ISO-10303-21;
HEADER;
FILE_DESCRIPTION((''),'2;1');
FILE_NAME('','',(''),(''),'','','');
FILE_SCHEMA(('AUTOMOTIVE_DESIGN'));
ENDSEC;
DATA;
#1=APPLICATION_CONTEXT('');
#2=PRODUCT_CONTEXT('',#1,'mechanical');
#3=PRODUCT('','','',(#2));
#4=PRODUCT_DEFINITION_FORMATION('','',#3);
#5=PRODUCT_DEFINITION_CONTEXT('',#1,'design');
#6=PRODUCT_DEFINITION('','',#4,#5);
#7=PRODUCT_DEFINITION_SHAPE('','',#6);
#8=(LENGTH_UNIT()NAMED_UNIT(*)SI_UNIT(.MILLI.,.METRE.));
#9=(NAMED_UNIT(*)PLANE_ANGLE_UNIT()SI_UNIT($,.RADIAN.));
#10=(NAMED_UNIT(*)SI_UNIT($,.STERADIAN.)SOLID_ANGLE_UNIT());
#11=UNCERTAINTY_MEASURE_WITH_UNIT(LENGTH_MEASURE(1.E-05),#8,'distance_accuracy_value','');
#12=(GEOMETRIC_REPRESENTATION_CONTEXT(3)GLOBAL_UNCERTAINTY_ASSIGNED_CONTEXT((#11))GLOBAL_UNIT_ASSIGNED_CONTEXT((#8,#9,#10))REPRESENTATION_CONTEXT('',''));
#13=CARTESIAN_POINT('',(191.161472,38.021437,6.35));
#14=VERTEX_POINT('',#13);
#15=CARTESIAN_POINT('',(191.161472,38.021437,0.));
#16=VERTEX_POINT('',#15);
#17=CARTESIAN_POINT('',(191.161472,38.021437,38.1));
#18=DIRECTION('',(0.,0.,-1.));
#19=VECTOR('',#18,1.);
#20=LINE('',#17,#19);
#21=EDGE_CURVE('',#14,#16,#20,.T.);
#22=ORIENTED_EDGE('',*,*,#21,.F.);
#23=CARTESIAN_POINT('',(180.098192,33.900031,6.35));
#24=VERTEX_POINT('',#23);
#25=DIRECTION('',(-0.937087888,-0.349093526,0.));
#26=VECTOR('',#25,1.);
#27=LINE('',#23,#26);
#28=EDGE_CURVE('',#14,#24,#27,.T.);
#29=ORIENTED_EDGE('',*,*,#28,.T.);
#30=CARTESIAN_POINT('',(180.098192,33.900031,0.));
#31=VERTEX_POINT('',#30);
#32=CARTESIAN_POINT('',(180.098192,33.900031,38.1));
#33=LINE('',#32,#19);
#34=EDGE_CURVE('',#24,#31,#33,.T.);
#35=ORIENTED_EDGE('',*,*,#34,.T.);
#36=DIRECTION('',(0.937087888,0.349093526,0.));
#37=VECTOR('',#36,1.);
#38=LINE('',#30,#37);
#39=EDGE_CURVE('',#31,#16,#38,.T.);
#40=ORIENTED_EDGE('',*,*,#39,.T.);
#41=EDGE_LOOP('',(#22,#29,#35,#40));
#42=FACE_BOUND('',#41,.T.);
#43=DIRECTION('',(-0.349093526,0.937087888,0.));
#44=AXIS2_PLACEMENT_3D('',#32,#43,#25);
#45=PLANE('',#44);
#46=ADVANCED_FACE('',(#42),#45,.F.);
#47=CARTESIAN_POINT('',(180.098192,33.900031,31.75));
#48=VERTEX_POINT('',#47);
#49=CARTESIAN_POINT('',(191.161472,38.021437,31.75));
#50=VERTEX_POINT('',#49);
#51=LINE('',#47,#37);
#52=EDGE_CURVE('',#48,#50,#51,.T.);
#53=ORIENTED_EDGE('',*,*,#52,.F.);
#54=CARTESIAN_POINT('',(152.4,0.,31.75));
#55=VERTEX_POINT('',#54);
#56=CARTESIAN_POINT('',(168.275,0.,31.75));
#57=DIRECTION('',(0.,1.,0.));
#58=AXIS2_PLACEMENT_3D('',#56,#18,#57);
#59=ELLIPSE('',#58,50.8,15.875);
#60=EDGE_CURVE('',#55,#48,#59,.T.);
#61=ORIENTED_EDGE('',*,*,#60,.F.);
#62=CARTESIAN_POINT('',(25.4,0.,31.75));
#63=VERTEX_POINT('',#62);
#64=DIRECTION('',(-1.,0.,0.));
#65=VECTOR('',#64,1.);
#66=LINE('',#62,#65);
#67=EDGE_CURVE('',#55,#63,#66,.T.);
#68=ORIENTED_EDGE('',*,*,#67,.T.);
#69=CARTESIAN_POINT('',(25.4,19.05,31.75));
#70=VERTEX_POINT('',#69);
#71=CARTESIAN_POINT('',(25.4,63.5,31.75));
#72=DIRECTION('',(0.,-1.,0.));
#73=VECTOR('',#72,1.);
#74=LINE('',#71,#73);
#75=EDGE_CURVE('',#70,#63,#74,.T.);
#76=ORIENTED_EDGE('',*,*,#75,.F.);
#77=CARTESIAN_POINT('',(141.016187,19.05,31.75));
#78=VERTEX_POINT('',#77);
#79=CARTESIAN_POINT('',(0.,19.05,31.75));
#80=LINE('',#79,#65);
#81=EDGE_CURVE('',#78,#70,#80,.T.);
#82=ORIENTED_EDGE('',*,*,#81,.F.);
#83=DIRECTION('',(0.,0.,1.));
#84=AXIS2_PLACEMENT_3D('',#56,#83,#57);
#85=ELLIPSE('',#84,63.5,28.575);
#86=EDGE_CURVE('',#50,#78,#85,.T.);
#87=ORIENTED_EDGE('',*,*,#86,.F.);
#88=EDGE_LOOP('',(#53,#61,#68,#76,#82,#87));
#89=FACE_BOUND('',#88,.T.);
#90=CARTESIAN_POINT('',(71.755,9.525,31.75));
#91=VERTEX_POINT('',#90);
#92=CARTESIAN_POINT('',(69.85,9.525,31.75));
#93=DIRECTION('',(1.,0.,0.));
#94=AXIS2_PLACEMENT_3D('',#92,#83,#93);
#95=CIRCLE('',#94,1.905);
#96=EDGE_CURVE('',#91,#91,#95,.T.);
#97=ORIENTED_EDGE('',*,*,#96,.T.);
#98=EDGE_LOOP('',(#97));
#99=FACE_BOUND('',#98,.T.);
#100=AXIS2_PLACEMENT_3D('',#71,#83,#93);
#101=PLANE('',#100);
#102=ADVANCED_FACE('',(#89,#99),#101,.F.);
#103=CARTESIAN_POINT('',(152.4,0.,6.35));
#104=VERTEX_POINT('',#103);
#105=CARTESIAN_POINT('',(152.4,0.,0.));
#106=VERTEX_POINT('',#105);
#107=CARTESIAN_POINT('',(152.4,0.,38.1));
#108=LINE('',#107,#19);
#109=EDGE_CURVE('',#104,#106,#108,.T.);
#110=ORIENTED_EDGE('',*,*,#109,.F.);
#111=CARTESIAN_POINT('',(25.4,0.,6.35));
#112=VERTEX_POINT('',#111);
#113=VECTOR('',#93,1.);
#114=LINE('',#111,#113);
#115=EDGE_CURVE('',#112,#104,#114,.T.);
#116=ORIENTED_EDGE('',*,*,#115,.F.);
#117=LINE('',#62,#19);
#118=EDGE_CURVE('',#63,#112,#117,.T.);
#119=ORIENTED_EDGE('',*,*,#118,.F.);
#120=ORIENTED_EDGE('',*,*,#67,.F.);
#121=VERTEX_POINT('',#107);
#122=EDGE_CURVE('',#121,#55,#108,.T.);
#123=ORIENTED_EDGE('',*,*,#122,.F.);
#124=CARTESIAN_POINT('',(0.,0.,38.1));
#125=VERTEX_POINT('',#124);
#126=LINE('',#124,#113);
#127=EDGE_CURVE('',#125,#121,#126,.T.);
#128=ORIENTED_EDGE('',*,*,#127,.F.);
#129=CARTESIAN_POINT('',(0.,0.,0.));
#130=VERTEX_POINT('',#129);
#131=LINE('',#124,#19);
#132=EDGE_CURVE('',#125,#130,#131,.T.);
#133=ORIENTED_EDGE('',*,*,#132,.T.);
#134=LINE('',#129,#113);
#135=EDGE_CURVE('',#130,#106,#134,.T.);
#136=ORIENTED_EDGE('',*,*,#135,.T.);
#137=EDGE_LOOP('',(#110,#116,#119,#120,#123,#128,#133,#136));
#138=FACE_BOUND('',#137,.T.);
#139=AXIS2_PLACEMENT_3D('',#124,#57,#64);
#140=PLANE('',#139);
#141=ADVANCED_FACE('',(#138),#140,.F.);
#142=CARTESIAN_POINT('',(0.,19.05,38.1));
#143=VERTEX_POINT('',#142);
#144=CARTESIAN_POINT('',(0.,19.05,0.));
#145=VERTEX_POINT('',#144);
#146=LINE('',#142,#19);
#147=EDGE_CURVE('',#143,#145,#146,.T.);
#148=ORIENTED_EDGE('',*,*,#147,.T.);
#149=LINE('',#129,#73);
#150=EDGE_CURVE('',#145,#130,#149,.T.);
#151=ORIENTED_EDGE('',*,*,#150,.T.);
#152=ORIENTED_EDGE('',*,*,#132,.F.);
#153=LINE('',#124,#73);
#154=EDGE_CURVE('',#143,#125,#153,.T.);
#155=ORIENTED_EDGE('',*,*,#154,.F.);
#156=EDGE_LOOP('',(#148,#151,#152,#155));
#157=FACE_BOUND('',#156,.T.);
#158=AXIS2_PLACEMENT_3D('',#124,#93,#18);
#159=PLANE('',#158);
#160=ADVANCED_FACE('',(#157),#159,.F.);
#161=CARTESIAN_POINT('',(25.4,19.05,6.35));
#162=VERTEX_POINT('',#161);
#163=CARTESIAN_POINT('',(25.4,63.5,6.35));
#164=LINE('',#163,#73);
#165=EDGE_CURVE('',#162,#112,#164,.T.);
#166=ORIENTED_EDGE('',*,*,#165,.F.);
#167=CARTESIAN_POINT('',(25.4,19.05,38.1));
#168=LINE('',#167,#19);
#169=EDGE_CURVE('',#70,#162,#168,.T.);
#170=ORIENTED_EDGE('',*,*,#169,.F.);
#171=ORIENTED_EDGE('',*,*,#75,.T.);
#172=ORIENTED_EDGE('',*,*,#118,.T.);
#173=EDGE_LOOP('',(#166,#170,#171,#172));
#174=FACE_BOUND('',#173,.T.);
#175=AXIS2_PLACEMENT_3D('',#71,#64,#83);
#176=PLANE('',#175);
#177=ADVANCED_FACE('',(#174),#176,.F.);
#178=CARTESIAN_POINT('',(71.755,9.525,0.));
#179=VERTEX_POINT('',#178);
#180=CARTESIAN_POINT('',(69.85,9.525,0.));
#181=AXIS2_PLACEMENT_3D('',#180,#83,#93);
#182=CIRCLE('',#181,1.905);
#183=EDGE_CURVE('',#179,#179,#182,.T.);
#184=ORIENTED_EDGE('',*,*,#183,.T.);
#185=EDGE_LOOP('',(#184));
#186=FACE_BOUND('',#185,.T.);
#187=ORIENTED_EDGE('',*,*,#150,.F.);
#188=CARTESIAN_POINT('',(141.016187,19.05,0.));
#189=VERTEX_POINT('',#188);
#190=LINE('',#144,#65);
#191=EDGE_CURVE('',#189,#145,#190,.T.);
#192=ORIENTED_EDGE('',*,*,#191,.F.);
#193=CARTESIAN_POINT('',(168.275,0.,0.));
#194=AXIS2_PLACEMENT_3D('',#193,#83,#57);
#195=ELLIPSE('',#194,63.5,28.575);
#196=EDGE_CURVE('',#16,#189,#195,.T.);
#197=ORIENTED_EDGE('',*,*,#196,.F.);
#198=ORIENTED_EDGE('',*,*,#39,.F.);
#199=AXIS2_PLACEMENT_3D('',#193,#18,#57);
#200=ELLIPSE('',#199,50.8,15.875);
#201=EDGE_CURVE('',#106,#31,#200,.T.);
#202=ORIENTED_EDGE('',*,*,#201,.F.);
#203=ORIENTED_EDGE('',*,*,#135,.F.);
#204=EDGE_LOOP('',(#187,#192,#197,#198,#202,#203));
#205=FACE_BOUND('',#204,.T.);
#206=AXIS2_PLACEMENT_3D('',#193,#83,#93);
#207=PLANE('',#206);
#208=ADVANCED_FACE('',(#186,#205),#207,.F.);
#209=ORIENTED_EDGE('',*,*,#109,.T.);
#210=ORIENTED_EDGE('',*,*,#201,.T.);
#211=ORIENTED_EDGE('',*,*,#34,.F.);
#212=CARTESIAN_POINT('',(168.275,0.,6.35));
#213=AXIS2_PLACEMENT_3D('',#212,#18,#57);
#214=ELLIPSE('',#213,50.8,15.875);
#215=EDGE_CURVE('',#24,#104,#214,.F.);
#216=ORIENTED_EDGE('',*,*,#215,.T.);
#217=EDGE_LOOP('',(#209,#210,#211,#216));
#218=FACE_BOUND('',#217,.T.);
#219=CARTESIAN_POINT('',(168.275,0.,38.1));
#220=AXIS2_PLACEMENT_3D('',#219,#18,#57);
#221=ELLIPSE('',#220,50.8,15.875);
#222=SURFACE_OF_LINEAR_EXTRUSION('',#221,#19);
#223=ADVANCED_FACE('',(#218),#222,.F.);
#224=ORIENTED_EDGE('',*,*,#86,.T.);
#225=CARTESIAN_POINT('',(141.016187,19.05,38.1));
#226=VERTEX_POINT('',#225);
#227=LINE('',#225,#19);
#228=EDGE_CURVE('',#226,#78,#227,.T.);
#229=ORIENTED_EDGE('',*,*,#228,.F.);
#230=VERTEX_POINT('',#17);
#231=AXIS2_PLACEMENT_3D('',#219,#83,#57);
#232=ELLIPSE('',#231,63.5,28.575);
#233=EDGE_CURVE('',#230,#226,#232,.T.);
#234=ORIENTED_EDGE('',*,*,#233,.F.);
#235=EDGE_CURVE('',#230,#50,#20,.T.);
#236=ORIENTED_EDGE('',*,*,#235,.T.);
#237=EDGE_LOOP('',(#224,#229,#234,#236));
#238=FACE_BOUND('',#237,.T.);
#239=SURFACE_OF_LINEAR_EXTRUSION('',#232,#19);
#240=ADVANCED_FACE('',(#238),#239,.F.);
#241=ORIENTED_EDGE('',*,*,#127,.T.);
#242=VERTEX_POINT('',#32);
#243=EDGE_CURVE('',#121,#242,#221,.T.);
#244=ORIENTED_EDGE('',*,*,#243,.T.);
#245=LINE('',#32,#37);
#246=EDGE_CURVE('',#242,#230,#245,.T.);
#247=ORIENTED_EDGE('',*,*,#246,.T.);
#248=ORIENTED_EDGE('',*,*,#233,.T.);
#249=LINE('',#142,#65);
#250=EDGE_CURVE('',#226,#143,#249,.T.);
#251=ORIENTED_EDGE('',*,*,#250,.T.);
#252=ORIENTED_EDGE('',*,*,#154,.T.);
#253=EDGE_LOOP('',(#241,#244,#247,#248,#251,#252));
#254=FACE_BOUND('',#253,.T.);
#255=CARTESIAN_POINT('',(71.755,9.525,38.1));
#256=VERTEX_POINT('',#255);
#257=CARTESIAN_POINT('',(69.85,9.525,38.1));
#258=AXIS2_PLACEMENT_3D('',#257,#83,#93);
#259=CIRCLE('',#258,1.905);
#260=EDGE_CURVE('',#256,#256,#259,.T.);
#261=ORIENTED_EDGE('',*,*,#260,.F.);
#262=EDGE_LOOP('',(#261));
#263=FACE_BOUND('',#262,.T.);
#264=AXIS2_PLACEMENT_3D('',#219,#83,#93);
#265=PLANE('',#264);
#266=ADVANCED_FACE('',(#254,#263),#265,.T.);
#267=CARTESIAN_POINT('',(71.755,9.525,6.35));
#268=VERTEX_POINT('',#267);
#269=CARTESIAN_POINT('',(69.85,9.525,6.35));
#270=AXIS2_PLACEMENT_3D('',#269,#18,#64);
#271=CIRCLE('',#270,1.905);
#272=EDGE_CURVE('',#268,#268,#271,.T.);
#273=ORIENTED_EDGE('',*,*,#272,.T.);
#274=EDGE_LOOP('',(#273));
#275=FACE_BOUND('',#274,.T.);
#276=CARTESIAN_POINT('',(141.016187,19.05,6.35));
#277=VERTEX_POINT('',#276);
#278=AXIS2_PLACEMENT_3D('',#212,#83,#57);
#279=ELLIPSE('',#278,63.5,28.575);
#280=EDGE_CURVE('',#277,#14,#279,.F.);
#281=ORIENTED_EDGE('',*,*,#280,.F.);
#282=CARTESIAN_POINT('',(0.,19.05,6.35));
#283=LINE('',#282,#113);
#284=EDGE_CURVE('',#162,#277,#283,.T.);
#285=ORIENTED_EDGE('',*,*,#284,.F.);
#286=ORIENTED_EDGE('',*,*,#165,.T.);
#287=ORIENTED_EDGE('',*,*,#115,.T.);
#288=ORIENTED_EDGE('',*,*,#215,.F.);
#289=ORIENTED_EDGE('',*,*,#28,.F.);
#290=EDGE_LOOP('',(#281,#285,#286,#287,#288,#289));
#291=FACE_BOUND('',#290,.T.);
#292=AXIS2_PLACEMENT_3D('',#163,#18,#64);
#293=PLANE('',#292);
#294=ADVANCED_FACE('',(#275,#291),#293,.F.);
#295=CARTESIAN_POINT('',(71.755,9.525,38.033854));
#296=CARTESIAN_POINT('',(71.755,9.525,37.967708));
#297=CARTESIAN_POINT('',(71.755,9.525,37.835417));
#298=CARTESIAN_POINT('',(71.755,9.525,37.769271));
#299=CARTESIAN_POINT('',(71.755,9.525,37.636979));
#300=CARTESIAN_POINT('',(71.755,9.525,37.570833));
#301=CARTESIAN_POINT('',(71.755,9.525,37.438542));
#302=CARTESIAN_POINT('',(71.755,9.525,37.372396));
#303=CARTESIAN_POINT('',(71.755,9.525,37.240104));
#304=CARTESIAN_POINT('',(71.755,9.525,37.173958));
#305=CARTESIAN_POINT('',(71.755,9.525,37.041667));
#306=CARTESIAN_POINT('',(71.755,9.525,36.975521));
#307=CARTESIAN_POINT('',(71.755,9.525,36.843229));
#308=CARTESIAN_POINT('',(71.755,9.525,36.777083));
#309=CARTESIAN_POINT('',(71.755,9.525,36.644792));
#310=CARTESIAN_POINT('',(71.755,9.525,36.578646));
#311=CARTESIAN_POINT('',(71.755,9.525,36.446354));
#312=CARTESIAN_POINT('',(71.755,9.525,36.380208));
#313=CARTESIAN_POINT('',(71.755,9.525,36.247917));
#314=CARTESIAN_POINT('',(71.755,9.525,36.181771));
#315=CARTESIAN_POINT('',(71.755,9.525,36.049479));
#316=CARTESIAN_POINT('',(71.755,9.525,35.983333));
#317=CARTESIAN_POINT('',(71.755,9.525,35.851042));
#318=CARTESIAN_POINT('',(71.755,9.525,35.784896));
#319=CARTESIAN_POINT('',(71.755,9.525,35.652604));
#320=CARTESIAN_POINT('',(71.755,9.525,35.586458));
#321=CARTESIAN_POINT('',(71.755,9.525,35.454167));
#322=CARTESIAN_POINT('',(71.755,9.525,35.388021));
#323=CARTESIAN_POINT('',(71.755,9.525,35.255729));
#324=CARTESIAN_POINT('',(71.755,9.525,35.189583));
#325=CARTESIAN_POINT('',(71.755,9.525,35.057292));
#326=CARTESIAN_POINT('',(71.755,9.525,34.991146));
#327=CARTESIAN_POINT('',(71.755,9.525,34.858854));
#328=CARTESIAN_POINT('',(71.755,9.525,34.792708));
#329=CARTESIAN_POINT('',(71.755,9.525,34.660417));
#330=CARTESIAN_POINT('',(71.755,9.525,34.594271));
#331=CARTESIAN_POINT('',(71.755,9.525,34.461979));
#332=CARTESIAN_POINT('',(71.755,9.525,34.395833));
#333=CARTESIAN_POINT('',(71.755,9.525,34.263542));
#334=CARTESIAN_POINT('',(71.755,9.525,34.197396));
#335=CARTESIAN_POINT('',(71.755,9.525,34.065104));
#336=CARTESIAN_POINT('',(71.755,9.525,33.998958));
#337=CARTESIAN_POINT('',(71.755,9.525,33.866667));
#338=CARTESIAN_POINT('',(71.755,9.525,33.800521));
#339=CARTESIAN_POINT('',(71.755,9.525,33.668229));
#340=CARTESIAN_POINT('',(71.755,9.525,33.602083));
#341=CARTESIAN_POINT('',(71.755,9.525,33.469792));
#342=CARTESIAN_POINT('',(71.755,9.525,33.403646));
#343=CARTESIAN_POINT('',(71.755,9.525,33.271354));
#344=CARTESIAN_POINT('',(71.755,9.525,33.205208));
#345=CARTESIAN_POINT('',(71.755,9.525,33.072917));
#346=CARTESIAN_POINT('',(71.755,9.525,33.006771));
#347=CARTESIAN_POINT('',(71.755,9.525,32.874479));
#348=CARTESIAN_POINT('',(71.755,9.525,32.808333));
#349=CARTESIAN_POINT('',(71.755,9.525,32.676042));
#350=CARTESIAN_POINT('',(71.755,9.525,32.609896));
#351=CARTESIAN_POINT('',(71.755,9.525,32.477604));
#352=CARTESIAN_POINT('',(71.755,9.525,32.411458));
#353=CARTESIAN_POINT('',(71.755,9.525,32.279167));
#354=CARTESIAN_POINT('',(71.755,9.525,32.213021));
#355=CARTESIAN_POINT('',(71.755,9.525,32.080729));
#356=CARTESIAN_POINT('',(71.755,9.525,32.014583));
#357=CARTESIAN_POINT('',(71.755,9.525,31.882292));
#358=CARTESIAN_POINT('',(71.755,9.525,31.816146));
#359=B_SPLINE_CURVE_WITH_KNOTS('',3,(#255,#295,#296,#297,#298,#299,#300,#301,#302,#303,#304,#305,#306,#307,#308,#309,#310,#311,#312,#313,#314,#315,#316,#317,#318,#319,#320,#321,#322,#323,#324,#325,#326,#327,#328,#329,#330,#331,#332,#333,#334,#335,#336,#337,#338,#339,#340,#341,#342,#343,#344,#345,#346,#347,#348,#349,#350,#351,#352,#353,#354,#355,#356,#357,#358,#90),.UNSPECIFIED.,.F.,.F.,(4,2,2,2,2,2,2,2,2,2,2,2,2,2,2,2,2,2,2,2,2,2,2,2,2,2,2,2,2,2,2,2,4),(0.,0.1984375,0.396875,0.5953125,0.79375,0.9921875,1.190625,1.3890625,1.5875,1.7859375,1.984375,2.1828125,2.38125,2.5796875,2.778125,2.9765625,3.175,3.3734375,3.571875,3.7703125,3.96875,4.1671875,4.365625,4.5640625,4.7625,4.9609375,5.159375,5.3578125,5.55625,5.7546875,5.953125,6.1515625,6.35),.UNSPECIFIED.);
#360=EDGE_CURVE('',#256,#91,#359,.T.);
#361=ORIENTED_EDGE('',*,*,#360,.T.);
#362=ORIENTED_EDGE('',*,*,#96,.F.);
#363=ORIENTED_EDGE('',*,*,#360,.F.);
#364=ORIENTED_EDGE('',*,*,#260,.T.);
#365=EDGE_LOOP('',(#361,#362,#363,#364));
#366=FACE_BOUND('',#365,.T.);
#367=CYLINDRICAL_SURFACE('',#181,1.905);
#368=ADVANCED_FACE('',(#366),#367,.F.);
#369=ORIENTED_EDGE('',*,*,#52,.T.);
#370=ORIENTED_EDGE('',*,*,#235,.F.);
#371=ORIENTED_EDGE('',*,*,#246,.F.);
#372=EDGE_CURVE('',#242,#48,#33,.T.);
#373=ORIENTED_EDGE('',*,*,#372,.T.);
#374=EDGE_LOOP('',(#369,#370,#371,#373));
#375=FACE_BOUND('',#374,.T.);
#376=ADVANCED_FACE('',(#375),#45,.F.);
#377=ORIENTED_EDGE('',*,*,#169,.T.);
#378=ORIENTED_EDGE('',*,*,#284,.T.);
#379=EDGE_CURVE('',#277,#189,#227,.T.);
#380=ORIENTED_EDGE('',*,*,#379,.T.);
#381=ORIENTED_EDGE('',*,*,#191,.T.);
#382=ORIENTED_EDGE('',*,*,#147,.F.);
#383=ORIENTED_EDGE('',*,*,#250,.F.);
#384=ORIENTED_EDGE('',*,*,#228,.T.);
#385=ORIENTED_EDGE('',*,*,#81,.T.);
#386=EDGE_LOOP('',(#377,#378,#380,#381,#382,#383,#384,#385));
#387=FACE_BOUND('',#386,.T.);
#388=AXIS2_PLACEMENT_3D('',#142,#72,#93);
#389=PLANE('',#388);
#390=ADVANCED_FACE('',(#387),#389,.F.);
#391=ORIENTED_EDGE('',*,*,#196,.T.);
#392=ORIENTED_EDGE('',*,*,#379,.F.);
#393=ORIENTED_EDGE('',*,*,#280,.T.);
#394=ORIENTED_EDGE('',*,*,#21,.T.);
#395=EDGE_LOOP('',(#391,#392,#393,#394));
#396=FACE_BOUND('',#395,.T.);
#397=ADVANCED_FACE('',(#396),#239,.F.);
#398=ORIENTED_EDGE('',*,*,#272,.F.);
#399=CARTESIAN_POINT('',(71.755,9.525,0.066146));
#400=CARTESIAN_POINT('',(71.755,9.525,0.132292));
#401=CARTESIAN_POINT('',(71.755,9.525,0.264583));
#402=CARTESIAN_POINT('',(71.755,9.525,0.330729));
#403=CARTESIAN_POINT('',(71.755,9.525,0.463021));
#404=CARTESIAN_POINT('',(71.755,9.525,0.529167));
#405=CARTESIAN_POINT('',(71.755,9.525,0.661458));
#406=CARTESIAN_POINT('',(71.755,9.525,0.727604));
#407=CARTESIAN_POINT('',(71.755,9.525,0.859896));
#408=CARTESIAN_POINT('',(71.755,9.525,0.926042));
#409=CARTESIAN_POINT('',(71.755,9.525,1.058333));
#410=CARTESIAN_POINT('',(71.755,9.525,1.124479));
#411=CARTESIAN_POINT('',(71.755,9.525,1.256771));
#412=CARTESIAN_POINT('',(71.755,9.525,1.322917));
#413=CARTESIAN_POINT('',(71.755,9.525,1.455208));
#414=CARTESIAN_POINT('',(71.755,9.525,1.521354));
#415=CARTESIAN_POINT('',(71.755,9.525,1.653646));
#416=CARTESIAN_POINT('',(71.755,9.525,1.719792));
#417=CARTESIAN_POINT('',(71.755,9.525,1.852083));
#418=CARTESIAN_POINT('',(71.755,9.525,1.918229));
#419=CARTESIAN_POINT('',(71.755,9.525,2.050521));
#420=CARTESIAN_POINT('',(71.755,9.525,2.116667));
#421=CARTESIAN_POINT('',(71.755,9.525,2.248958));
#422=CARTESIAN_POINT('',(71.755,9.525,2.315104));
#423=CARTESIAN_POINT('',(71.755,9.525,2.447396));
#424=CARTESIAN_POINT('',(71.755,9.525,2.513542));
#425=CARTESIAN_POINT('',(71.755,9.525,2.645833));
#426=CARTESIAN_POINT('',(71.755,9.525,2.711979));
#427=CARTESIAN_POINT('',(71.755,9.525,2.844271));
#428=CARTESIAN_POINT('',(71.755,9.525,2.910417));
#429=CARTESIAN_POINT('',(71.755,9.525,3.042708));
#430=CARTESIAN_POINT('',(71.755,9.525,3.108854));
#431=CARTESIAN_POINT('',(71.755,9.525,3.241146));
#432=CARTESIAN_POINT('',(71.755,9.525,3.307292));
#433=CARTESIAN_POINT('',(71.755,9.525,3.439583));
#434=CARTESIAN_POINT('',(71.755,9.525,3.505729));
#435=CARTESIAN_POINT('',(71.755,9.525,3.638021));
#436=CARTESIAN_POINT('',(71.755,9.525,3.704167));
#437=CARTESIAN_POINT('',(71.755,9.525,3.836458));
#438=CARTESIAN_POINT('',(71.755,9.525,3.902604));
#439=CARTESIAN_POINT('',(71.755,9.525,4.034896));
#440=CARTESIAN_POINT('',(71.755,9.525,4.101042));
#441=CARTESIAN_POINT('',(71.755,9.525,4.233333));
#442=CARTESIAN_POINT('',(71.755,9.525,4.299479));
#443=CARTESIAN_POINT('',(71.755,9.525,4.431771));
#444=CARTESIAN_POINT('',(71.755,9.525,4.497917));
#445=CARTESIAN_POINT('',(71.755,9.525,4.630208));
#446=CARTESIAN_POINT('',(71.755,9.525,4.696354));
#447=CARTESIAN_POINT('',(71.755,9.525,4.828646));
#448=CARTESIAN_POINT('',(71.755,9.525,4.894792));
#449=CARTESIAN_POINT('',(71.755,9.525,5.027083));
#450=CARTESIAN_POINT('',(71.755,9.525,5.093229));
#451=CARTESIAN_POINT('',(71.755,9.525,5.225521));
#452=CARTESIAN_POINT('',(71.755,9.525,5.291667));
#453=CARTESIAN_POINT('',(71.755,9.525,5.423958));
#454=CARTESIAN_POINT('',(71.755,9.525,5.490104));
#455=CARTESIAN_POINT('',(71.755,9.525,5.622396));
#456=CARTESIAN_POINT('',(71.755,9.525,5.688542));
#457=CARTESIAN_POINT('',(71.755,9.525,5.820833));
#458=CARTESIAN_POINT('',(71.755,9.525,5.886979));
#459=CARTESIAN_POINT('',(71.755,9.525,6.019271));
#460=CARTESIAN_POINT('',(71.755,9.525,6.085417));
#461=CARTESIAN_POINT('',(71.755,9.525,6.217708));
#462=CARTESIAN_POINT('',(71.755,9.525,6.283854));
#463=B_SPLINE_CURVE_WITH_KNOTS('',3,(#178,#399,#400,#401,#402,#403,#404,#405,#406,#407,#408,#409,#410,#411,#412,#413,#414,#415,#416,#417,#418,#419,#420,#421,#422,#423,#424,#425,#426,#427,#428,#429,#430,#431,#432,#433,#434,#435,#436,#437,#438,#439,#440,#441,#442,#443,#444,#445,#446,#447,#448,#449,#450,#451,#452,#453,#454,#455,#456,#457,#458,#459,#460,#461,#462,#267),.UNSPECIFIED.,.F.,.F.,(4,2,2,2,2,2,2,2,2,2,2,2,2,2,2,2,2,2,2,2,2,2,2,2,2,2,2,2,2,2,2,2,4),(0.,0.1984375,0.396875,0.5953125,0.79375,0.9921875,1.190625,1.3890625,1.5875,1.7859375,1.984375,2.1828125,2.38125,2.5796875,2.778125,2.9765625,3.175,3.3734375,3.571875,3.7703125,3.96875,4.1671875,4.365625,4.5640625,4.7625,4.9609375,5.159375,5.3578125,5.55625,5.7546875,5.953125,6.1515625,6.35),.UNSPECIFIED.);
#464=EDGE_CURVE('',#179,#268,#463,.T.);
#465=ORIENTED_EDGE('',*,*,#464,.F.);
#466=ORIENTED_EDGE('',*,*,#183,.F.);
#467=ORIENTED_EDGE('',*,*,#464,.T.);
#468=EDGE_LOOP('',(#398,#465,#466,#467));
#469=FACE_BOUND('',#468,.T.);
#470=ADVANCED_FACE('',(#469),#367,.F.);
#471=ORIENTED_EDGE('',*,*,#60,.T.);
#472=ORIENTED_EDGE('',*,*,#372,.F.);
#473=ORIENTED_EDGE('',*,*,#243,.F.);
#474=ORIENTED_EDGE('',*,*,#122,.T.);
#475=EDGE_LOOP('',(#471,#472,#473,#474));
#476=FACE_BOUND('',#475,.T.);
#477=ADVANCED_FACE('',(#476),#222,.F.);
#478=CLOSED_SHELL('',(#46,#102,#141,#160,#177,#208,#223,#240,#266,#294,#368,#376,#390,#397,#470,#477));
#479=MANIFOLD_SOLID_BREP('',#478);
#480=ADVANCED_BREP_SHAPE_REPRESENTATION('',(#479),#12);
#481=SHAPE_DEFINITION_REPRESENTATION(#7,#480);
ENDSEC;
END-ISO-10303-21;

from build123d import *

# Parameters (mm, degrees)
BOSS_EXTRUDE1_DEPTH = 38.1
SKETCH2_W           = 260.312588867
SKETCH2_H           = 25.4
CUT_EXTRUDE1_DEPTH  = 206.003825783
SKETCH3_R           = 1.905
CUT_EXTRUDE2_DEPTH  = 206.003825783


with BuildPart() as part:
    # Sketch1 → Boss-Extrude1 (new body)
    with BuildSketch(Plane.XY):
        with BuildLine():
            Line((0, 0), (0, 19.05))
            Line((0, 19.05), (141.01618732, 19.05))
            add(Edge.make_bspline(
                [(191.161472393, 38.021436866), (157.754291932, 137.325067756), (141.01618732, 19.05)],
                knots=[5.354344466, 5.354344466, 5.354344466, 7.54928898, 7.54928898, 7.54928898], degree=2, weights=[1, 0.455847413, 1]))
            Line((191.161472393, 38.021436866), (180.098192457, 33.90003112))
            add(Edge.make_bspline(
                [(180.098192457, 33.90003112), (152.4, 132.820472934), (152.4, 0)],
                knots=[5.442998148, 5.442998148, 5.442998148, 7.853981634, 7.853981634, 7.853981634], degree=2, weights=[1, 0.357233797, 1]))
            Line((152.4, 0), (0, 0))
        make_face()
    extrude(amount=BOSS_EXTRUDE1_DEPTH)

    # Sketch2 → Cut-Extrude1 (cut, through all)
    with BuildSketch(Plane.XZ):
        with Locations((155.556294433, 19.05)):
            Rectangle(SKETCH2_W, SKETCH2_H)
    extrude(amount=-CUT_EXTRUDE1_DEPTH, mode=Mode.SUBTRACT)

    # Sketch3 → Cut-Extrude2 (cut, through all)
    with BuildSketch(Plane.XY.offset(38.1)):
        with Locations((69.85, 9.525)):
            Circle(SKETCH3_R)
    extrude(amount=-CUT_EXTRUDE2_DEPTH, mode=Mode.SUBTRACT)


solid = part.part
